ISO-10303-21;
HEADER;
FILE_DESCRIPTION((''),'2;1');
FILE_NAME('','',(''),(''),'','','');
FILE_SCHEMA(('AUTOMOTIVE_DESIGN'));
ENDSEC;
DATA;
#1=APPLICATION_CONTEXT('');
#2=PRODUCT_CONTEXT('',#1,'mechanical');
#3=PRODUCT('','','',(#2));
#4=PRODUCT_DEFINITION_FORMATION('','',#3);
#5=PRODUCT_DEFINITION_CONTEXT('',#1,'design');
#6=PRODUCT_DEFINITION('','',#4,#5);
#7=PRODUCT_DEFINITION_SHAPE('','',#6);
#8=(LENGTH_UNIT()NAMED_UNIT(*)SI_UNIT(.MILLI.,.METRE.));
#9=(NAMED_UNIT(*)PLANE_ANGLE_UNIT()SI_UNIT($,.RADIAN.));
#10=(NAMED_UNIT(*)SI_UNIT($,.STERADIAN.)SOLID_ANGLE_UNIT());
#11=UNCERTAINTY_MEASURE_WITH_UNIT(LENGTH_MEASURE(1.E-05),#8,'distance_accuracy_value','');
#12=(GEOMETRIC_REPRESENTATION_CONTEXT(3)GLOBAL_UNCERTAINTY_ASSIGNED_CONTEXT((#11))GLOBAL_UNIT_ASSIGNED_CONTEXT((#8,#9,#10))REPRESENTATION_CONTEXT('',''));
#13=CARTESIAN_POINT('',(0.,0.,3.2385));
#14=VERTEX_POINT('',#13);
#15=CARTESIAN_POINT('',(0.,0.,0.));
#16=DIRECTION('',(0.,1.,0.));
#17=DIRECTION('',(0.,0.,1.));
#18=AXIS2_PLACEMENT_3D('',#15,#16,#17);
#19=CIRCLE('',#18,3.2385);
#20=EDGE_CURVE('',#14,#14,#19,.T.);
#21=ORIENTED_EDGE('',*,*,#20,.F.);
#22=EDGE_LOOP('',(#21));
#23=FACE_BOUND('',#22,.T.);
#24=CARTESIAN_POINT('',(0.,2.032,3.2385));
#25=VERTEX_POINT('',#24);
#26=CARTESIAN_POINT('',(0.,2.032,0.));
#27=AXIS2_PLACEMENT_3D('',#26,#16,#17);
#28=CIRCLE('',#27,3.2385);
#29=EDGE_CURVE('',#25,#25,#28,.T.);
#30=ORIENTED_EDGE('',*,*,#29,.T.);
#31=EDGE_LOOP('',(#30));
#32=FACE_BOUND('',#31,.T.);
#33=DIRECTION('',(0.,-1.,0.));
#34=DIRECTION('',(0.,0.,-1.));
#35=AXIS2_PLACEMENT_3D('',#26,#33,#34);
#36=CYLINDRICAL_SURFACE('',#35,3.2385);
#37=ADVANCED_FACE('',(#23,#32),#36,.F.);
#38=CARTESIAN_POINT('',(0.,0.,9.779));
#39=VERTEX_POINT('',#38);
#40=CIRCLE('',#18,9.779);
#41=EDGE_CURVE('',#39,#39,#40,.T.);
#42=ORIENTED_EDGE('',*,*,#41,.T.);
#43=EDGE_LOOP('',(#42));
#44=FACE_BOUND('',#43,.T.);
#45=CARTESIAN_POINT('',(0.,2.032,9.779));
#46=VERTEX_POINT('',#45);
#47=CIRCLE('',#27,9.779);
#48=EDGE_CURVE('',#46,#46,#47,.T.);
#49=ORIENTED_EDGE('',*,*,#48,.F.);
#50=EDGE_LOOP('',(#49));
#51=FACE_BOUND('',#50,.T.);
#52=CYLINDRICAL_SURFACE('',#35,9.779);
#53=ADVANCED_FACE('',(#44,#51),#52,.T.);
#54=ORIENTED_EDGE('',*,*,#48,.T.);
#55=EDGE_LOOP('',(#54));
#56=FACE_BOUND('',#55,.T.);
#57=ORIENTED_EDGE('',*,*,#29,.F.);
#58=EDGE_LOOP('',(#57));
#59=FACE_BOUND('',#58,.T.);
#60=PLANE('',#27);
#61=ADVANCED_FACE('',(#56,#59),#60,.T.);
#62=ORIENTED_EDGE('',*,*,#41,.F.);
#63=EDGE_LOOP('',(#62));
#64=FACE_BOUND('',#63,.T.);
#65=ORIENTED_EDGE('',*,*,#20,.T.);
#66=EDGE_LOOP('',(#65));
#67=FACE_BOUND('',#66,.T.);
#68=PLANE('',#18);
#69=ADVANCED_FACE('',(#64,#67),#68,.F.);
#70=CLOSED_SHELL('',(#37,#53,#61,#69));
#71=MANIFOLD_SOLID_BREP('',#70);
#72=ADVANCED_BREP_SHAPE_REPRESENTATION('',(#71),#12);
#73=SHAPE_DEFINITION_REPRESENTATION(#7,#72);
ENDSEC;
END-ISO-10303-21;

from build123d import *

# Parameters (mm, degrees)
CROQUIS2_R              = 9.779
CROQUIS2_R_2            = 3.2385
SALIENTE_EXTRUIR1_DEPTH = 2.032


with BuildPart() as part:
    # Croquis2 → Saliente-Extruir1 (new body)
    with BuildSketch(Plane(origin=(0, 0, 0), x_dir=(1, 0, 0), z_dir=(0, 1, 0))):
        with Locations(Location((0, 0, 0), (0, 0, 270))):
            Circle(CROQUIS2_R)
        with Locations(Location((0, 0, 0), (0, 0, 270))):
            Circle(CROQUIS2_R_2, mode=Mode.SUBTRACT)
    extrude(amount=SALIENTE_EXTRUIR1_DEPTH)


solid = part.part
